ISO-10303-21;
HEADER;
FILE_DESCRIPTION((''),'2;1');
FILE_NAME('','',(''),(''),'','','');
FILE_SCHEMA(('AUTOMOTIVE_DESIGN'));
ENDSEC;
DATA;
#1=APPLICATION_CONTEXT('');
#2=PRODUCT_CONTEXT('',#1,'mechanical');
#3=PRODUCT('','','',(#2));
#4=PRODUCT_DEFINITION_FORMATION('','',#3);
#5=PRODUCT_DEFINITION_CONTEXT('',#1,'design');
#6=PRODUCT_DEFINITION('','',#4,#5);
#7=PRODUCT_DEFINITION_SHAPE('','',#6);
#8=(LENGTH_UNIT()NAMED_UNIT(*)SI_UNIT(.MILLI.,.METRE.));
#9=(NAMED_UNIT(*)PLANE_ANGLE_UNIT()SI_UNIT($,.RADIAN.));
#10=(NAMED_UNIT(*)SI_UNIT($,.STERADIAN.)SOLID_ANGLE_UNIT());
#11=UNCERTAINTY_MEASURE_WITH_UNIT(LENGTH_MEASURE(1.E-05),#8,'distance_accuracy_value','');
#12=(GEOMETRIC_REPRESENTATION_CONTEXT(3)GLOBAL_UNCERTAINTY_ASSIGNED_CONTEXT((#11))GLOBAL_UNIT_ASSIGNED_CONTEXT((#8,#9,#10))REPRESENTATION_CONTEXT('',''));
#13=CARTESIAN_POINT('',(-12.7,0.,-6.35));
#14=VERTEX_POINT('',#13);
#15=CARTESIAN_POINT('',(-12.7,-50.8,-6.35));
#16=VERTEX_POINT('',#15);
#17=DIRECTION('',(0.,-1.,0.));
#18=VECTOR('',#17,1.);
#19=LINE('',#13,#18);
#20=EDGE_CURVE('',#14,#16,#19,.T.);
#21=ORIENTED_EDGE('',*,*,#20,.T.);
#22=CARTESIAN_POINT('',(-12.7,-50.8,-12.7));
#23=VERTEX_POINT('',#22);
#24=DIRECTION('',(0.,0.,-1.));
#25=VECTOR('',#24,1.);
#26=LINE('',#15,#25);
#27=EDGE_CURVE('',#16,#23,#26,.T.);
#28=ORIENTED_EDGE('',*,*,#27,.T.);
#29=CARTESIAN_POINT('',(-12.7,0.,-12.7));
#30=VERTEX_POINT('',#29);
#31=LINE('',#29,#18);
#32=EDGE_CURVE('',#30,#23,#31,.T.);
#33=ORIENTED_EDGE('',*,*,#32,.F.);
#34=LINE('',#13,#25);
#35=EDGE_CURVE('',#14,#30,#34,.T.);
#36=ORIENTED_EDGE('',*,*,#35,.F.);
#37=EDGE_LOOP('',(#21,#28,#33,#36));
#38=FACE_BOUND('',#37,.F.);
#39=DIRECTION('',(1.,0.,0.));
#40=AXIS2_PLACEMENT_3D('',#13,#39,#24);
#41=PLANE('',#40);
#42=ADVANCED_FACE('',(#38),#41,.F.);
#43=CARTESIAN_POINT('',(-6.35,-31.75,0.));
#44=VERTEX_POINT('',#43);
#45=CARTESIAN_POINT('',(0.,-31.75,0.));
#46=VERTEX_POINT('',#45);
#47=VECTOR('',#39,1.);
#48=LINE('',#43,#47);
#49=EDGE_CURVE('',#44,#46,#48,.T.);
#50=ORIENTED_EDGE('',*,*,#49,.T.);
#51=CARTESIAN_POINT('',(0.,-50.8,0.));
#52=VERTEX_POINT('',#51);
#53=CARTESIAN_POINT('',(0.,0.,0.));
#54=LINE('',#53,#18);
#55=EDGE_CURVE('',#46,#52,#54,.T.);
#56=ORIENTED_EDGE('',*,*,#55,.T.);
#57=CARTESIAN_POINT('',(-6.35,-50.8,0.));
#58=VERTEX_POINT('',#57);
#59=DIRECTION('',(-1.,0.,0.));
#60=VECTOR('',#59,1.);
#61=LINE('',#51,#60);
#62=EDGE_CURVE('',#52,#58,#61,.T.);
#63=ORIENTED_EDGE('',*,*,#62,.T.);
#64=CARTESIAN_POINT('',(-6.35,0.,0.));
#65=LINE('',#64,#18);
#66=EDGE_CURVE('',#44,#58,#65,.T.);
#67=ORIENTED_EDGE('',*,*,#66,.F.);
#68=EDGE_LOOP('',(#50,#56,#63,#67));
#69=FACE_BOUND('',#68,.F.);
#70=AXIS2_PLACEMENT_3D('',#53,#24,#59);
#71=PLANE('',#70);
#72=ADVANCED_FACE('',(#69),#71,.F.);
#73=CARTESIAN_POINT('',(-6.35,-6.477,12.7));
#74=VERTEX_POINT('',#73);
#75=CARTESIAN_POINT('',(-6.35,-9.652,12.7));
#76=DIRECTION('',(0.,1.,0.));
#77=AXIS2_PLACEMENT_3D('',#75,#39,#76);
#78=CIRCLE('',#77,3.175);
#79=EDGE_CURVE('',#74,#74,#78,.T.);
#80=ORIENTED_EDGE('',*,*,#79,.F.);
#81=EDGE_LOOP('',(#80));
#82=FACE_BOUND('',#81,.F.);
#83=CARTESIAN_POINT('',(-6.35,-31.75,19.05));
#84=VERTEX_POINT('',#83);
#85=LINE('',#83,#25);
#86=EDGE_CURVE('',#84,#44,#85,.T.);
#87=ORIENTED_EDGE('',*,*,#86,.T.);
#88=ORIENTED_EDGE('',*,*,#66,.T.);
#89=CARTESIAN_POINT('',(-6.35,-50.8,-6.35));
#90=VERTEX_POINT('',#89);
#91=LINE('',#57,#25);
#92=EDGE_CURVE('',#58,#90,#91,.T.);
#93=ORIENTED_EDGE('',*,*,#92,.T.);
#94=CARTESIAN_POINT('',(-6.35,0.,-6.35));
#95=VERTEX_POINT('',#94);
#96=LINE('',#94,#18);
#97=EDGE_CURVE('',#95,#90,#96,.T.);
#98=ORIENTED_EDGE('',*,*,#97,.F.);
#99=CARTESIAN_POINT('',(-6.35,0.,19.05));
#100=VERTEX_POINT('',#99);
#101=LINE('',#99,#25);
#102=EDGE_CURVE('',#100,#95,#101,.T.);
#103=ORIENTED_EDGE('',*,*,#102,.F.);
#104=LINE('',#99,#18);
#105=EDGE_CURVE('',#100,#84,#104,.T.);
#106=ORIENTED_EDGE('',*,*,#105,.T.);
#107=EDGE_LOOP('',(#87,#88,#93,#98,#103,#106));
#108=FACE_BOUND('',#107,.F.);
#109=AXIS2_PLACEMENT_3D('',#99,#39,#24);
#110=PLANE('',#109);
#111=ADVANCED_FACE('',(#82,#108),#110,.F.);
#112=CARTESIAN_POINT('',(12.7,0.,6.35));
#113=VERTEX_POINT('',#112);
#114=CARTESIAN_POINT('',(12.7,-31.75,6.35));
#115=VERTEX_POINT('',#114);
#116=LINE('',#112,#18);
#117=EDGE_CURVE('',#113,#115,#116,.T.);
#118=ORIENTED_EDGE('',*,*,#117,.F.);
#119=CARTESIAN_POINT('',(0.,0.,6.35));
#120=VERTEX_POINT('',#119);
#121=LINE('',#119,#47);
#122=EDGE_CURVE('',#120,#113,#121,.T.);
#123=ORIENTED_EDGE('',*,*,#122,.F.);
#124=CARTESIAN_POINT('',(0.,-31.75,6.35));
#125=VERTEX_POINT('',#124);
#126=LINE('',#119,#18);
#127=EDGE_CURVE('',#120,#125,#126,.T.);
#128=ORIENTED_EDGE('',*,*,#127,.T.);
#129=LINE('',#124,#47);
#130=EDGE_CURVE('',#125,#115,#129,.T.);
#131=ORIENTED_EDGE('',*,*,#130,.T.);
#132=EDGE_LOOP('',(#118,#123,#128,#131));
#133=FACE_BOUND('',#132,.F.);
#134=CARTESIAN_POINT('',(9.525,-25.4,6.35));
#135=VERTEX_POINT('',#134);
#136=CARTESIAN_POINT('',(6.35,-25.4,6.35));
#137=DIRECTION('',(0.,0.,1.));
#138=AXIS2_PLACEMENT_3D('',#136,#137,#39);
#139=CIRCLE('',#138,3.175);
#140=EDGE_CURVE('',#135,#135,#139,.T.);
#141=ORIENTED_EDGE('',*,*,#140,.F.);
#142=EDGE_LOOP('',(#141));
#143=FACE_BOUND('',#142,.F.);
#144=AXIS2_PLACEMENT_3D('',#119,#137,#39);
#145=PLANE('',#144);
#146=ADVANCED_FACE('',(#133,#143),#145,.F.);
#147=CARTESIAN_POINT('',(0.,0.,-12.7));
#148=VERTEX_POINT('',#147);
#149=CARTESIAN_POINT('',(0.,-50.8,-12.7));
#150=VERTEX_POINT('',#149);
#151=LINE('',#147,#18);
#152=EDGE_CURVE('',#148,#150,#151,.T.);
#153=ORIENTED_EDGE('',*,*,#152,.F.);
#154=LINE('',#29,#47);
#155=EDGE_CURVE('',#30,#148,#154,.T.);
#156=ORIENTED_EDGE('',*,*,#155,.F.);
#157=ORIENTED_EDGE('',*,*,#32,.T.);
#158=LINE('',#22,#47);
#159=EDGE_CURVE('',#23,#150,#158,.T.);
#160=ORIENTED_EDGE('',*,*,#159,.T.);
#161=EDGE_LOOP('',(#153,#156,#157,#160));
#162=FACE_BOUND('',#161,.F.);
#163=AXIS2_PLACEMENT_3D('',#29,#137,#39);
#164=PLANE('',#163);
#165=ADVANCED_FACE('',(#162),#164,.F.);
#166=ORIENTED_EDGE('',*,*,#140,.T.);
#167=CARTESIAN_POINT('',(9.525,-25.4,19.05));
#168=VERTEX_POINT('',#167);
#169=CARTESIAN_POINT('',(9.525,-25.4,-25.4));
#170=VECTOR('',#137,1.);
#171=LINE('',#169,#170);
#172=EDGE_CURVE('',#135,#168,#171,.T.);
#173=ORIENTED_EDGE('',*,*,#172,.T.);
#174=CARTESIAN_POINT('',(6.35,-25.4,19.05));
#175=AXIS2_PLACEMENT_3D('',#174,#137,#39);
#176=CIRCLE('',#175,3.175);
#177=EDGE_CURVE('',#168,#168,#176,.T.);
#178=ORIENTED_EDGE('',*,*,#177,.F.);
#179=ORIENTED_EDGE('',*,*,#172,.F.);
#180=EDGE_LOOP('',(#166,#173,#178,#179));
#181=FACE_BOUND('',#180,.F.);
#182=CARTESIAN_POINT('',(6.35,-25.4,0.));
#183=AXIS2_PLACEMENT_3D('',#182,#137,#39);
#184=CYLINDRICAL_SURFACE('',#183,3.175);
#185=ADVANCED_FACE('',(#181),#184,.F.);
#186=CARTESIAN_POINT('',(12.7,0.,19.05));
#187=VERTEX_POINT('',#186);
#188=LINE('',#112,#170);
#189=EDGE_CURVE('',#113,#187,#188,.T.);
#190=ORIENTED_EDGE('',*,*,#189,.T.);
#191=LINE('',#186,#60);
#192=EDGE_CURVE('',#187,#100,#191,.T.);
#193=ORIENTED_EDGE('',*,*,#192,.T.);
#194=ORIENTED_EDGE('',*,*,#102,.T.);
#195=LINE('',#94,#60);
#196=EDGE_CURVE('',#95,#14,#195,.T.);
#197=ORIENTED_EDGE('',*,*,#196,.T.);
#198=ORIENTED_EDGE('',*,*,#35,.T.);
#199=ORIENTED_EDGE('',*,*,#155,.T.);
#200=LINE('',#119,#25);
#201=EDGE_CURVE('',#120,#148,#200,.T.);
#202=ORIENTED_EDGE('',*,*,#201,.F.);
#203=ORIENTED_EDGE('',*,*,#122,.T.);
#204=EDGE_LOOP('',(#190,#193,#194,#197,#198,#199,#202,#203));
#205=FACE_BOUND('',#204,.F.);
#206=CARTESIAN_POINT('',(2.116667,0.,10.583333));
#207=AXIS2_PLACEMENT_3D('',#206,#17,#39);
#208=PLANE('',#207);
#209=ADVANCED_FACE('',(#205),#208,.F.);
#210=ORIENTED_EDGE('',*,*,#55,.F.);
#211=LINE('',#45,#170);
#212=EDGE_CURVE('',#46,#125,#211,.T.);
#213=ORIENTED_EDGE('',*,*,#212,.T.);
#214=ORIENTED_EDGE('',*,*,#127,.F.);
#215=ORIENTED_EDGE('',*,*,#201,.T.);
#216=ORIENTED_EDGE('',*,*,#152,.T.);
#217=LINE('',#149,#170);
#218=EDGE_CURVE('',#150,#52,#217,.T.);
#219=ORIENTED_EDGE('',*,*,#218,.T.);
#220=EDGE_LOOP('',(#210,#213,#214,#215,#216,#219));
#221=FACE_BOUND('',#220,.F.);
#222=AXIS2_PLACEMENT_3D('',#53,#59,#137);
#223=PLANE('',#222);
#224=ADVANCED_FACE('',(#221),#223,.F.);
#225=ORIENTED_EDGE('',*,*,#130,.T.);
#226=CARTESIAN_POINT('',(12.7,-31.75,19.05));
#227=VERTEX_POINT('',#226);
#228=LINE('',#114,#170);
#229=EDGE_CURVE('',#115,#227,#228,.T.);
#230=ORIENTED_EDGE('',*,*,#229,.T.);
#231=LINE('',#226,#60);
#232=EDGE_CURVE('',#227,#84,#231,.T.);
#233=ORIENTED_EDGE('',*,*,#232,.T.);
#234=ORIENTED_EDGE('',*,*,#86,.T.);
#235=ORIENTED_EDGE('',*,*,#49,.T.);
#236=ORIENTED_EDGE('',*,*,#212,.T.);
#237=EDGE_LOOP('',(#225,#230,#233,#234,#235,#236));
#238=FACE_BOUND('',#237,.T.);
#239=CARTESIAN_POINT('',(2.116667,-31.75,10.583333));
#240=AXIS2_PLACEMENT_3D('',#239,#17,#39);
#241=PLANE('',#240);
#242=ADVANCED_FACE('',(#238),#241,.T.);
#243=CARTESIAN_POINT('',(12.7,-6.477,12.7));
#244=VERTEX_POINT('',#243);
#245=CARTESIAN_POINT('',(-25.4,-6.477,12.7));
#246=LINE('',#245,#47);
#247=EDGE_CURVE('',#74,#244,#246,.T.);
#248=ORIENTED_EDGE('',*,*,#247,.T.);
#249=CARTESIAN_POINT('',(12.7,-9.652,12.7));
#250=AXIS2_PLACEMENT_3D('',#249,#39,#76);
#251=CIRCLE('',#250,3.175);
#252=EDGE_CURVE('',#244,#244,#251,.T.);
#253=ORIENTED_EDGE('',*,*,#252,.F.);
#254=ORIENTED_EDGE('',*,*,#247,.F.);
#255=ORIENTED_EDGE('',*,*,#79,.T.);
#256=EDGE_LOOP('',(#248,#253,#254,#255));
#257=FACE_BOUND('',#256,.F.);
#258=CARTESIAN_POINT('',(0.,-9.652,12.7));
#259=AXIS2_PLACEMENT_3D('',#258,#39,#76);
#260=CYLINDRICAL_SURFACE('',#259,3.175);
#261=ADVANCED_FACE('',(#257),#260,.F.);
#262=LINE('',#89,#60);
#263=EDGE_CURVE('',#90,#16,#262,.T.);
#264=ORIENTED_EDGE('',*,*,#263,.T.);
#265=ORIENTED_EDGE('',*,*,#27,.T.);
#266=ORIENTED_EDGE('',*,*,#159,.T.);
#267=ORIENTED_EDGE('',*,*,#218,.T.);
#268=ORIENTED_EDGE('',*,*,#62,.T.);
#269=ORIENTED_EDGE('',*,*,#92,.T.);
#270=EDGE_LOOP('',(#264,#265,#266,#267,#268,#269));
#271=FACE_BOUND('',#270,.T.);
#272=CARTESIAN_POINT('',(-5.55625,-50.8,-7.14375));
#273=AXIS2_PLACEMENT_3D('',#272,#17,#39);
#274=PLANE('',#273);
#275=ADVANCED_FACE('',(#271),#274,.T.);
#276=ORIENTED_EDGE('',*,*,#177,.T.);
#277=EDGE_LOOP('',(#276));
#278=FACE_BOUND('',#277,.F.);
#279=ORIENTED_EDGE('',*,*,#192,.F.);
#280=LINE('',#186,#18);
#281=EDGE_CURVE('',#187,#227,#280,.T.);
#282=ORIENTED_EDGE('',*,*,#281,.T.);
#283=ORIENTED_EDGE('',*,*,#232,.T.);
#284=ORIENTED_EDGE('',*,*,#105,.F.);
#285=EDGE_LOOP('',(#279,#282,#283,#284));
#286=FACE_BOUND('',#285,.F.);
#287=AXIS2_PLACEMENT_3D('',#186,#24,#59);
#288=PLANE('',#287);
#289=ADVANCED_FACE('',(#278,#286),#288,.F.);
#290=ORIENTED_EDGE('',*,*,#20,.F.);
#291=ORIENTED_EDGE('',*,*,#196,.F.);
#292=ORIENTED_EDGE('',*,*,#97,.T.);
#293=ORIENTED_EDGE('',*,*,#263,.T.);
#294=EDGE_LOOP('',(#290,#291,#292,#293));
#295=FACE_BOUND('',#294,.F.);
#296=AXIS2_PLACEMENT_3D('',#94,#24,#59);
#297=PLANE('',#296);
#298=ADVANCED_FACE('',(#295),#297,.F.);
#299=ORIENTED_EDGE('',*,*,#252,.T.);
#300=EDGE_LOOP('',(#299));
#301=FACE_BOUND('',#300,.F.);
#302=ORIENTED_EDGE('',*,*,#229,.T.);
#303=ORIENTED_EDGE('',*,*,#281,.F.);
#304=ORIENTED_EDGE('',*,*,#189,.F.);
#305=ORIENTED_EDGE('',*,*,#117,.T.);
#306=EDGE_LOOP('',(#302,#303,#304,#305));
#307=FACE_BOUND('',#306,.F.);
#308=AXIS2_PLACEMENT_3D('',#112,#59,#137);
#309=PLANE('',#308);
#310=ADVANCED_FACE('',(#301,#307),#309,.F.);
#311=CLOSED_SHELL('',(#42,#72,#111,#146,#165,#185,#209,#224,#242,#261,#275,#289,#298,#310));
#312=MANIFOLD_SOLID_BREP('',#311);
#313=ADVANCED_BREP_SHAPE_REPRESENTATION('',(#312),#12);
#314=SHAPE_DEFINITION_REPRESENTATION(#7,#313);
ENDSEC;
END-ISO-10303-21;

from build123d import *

# Parameters (mm, degrees)
F1_DEPTH = 50.8
F3_DEPTH = 31.75
F4_R     = 3.175
F5_DEPTH = 25.4
F6_R     = 3.175
F7_DEPTH = 25.4


with BuildPart() as f1:
    # F0 (on Front) → F1 (new body)
    with BuildSketch(Plane.XZ):
        Polygon((0, -12.7), (0, 0), (-6.35, 0), (-6.35, -6.35), (-12.7, -6.35), (-12.7, -12.7), align=None)
    extrude(amount=F1_DEPTH)

    # F2 (on Front) → F3 (join)
    with BuildSketch(Plane.XZ):
        Polygon((-6.35, 19.05), (-6.35, 0), (0, 0), (0, 6.35), (12.7, 6.35), (12.7, 19.05), align=None)
    extrude(amount=F3_DEPTH)

    # F4 (on Right) → F5 (cut, symmetric)
    with BuildSketch(Plane.YZ):
        with Locations((-9.652, 12.7)):
            Circle(F4_R)
    extrude(amount=F5_DEPTH, both=True, mode=Mode.SUBTRACT)

    # F6 (on Top) → F7 (cut, symmetric)
    with BuildSketch(Plane.XY):
        with Locations((6.35, -25.4)):
            Circle(F6_R)
    extrude(amount=F7_DEPTH, both=True, mode=Mode.SUBTRACT)


solid = f1.part
